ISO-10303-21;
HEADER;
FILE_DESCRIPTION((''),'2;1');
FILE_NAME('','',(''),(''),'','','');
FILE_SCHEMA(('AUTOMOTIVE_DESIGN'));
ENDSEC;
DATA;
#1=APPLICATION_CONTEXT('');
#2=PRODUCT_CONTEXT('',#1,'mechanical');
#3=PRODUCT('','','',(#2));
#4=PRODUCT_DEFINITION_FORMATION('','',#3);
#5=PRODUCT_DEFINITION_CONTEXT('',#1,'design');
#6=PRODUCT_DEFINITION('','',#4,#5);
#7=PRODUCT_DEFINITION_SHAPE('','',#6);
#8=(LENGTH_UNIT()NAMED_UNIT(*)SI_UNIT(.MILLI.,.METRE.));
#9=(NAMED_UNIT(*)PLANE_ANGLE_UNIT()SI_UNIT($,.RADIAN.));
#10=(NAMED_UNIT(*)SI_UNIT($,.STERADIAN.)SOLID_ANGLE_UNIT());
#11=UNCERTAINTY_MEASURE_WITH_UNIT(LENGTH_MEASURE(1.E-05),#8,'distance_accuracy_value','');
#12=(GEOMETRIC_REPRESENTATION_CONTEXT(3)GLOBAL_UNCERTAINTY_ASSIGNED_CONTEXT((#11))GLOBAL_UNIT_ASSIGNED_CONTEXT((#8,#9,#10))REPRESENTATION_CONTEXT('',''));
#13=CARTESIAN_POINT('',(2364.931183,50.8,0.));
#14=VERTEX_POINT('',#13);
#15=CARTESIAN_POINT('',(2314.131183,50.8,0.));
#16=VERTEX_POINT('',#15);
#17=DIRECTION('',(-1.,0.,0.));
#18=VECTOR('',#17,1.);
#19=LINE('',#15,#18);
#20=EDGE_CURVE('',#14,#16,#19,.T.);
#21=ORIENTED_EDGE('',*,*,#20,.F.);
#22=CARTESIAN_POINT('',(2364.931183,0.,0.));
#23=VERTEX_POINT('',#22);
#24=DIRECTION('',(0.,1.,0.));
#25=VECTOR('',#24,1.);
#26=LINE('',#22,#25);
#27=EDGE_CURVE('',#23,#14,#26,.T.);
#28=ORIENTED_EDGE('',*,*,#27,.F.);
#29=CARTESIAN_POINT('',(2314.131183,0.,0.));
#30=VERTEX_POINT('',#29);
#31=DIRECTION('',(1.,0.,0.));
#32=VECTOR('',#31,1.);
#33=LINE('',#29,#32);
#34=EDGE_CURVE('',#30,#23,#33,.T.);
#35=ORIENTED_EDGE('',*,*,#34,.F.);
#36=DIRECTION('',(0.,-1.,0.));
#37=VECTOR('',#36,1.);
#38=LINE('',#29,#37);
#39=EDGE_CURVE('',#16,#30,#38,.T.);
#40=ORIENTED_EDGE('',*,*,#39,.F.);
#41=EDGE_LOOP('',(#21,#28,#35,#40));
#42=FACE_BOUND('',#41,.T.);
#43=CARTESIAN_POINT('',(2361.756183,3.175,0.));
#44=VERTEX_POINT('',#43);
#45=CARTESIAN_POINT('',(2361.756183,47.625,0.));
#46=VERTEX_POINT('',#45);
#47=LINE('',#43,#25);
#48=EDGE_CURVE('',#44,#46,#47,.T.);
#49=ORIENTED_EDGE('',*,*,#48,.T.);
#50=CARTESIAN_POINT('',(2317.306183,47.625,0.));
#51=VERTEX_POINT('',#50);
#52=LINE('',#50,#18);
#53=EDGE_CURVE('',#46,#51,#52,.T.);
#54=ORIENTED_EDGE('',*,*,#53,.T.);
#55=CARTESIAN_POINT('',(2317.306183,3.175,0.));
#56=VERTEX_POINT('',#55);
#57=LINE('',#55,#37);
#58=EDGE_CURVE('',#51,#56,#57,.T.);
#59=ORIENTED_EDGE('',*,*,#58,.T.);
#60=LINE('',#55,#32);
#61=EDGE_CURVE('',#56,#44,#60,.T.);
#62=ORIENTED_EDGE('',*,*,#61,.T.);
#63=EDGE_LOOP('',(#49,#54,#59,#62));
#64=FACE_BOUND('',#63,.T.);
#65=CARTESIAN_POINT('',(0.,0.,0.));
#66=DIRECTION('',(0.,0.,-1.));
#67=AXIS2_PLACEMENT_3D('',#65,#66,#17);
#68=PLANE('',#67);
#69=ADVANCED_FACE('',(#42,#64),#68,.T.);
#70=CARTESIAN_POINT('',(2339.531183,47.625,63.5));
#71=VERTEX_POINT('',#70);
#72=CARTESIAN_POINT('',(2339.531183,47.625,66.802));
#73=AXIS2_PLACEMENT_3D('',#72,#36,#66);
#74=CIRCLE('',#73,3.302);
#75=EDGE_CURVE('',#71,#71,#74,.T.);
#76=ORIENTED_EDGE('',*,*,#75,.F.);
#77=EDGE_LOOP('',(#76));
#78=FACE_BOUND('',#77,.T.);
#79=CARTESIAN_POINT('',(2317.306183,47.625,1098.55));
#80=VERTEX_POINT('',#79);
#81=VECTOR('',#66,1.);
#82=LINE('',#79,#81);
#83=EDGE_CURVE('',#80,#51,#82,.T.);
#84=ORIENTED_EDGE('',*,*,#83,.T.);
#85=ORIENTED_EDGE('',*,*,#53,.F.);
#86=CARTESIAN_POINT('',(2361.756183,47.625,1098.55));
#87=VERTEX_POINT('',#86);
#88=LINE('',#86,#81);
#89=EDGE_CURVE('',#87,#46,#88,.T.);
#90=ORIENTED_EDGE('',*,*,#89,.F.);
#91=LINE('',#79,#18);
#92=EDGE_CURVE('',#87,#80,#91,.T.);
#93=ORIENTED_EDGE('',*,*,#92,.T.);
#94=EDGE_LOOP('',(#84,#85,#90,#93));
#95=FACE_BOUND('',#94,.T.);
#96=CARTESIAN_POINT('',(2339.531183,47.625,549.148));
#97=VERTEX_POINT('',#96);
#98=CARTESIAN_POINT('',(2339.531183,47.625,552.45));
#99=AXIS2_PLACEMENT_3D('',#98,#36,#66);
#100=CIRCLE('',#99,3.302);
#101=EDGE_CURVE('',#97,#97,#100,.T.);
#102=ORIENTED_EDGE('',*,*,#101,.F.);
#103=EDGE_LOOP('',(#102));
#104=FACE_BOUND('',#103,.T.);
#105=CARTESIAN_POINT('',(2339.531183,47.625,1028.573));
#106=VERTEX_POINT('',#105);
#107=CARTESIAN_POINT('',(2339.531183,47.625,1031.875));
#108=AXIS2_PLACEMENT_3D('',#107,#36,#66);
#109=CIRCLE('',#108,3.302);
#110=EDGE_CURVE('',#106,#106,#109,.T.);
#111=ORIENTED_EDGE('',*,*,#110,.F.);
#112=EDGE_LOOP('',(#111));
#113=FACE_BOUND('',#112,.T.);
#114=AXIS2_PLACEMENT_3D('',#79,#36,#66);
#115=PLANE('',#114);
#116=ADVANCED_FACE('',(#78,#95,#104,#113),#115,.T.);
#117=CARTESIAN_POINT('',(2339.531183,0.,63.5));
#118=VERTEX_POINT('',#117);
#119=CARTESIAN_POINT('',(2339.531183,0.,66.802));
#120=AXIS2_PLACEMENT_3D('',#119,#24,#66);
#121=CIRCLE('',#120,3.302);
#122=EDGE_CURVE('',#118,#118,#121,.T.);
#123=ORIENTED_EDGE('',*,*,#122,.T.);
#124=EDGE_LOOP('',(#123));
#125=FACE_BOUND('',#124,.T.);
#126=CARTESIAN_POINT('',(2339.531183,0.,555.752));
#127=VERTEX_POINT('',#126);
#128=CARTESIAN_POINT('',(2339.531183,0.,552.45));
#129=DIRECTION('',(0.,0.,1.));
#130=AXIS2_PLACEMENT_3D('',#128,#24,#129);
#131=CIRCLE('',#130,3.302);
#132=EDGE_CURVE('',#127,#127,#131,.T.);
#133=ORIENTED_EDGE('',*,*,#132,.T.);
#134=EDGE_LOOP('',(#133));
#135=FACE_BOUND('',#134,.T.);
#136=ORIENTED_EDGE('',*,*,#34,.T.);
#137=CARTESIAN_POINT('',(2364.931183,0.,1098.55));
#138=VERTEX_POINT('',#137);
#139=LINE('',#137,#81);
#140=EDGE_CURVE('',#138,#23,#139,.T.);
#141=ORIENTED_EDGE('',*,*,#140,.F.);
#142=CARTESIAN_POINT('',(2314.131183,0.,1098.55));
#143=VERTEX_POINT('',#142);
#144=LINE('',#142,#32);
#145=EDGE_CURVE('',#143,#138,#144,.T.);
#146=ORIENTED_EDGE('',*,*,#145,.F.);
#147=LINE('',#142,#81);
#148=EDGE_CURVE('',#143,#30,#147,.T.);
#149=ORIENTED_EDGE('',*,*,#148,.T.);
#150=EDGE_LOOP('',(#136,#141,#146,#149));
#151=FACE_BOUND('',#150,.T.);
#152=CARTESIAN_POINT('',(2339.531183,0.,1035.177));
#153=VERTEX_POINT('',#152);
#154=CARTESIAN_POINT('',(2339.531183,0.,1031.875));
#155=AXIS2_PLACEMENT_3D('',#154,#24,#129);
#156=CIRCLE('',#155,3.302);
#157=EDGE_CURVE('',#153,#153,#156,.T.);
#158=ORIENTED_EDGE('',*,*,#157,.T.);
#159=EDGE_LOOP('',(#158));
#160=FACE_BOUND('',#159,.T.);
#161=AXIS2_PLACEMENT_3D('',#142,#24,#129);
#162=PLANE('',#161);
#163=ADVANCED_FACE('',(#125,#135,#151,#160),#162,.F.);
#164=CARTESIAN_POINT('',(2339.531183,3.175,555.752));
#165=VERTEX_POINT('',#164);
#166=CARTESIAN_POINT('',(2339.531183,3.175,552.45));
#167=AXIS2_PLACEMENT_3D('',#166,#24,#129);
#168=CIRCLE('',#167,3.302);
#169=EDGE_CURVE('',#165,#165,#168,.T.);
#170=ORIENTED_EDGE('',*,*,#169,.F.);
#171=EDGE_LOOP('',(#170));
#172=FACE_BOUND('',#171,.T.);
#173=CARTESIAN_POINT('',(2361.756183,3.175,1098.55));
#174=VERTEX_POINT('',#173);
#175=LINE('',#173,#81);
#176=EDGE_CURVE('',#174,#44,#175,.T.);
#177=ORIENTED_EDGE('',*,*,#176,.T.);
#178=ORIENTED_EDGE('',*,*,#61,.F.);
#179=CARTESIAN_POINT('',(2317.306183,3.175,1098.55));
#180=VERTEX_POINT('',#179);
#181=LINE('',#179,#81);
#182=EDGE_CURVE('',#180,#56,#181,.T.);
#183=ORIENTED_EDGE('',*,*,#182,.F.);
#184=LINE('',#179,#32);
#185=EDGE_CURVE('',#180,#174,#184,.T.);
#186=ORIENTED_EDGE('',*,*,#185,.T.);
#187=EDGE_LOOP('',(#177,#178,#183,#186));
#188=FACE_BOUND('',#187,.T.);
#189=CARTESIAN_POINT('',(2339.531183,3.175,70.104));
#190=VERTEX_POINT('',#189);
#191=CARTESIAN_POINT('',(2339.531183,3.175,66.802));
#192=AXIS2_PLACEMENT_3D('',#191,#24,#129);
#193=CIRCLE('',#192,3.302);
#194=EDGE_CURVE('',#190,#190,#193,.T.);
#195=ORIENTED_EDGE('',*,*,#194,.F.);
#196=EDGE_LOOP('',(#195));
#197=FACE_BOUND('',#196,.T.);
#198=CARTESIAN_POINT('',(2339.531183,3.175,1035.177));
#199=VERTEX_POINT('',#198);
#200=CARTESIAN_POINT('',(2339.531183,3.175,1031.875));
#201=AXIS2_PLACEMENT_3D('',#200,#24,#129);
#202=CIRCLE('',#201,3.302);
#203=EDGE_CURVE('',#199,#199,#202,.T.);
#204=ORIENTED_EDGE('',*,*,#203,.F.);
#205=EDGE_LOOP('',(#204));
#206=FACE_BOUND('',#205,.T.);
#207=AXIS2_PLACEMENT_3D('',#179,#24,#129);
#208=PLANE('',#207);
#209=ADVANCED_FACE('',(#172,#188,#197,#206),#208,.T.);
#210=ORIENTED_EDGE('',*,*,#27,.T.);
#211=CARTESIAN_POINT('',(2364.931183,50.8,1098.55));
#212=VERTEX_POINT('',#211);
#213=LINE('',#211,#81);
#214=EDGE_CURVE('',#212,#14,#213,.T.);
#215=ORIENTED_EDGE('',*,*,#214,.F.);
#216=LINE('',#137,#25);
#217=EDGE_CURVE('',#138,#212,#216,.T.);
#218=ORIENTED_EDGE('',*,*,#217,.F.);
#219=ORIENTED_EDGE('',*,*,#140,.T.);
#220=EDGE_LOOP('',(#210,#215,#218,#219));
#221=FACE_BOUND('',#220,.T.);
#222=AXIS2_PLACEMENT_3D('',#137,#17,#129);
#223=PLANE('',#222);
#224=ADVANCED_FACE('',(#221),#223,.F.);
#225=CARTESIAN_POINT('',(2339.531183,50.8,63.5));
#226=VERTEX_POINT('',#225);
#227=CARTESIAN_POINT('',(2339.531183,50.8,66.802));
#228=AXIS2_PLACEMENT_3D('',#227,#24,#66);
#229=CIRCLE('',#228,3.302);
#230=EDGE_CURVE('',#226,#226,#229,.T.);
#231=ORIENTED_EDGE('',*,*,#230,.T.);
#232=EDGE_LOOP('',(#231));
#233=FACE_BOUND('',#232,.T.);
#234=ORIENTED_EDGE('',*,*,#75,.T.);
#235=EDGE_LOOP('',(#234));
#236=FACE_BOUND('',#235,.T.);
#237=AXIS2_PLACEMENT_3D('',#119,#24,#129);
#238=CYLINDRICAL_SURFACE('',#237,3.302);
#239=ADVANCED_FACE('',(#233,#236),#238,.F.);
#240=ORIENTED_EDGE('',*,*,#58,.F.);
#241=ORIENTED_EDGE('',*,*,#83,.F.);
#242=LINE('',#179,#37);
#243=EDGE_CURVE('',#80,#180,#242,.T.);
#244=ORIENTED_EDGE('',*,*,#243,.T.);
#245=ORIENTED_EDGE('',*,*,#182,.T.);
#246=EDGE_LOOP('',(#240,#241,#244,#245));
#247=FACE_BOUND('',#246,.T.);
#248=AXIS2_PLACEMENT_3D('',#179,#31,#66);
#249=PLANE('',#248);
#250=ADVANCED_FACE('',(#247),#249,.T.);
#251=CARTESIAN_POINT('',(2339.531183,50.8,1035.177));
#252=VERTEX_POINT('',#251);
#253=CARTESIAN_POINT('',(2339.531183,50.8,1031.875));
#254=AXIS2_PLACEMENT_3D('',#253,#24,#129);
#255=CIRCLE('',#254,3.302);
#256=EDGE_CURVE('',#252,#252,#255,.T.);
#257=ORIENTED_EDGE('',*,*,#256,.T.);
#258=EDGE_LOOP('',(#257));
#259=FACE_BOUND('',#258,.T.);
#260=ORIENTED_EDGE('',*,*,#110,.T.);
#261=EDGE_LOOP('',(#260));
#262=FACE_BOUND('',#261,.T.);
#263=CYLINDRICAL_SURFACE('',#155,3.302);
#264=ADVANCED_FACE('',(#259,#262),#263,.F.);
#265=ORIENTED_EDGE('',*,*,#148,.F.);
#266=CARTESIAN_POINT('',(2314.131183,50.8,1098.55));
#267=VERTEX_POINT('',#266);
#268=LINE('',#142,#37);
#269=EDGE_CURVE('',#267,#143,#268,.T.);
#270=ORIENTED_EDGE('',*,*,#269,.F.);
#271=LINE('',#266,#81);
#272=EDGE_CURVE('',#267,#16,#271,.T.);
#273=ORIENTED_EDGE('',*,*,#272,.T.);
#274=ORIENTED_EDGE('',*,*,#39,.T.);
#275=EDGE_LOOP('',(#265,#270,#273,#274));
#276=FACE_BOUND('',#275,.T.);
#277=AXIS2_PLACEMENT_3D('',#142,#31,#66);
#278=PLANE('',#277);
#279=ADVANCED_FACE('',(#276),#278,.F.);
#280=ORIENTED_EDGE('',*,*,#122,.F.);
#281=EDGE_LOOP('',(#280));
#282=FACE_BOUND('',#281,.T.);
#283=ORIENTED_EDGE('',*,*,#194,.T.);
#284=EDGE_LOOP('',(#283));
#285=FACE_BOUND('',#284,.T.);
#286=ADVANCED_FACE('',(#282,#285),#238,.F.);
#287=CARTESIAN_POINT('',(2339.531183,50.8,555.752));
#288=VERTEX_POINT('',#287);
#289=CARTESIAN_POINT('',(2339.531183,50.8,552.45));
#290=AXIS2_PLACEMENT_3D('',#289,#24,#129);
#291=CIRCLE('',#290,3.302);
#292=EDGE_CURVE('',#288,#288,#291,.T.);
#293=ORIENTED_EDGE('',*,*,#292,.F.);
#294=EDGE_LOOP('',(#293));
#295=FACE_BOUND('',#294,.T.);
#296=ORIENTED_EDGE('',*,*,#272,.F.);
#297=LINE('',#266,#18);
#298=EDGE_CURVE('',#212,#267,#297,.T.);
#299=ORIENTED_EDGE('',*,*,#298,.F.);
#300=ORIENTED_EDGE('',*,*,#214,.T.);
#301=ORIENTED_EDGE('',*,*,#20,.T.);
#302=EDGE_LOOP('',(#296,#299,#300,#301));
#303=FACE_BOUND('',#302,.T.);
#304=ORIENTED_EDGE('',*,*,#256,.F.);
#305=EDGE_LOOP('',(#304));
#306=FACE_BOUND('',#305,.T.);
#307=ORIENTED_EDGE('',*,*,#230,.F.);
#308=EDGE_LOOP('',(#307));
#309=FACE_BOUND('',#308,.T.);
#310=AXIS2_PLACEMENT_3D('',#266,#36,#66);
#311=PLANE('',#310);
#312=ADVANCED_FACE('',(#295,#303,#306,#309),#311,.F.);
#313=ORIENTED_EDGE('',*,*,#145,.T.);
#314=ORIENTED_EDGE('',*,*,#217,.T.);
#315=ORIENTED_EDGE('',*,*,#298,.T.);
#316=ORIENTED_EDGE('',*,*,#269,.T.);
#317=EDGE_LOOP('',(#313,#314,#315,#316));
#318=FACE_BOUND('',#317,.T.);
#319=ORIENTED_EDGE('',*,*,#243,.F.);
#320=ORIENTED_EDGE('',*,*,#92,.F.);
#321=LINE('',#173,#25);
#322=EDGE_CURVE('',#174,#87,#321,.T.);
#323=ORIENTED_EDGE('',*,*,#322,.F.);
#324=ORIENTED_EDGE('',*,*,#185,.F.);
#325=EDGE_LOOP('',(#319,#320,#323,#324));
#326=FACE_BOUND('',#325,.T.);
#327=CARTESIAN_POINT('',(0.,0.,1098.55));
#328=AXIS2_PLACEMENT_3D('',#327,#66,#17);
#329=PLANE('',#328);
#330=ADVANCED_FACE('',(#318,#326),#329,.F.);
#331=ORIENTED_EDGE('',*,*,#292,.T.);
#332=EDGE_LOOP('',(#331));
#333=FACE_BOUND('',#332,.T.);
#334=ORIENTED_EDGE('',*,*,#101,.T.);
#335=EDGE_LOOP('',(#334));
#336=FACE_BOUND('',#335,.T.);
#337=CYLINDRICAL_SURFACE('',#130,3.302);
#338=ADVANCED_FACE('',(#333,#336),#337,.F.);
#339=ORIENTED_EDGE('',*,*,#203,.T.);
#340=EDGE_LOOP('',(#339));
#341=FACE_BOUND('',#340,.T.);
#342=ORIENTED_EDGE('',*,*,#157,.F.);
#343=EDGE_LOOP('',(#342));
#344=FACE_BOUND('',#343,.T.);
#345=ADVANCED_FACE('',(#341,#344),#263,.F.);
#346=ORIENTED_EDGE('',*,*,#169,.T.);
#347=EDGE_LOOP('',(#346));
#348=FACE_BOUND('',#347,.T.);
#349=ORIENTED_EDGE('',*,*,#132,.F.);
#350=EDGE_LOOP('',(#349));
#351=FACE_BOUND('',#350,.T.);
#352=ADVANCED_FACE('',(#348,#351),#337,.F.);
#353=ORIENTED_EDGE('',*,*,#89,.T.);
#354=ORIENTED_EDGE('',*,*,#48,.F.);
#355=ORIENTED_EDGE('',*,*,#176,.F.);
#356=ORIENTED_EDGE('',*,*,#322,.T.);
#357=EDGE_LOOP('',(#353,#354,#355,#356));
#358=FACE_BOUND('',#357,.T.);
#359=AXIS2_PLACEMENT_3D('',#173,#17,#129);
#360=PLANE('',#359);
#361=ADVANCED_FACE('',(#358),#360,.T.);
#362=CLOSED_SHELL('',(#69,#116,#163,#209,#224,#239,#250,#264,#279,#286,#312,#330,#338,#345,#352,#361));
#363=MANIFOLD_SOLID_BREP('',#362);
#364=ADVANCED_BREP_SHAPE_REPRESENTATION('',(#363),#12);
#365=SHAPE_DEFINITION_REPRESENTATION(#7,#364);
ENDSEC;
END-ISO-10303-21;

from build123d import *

# Parameters (mm, degrees)
SKETCH1_W           = 50.8
SKETCH1_H           = 50.8
SKETCH1_W_2         = 44.45
SKETCH1_H_2         = 44.45
BOSS_EXTRUDE1_DEPTH = 1098.55
SKETCH2_R           = 3.302
CUT_EXTRUDE1_DEPTH  = 50.8


with BuildPart() as part:
    # Sketch1 → Boss-Extrude1 (new body)
    with BuildSketch(Plane.XY):
        with Locations((2339.531183146, 25.4)):
            Rectangle(SKETCH1_W, SKETCH1_H)
        with Locations((2339.531183146, 25.4)):
            Rectangle(SKETCH1_W_2, SKETCH1_H_2, mode=Mode.SUBTRACT)
    extrude(amount=BOSS_EXTRUDE1_DEPTH)

    # Sketch2 → Cut-Extrude1 (cut)
    with BuildSketch(Plane(origin=(0, 50.8, 0), x_dir=(1, 0, 0), z_dir=(0, 1, 0))):
        with Locations((2339.531183146, -552.45)):
            Circle(SKETCH2_R)
        with Locations((2339.531183146, -1031.875)):
            Circle(SKETCH2_R)
        with Locations((2339.531183146, -66.802)):
            Circle(SKETCH2_R)
    extrude(amount=-CUT_EXTRUDE1_DEPTH, mode=Mode.SUBTRACT)


solid = part.part
